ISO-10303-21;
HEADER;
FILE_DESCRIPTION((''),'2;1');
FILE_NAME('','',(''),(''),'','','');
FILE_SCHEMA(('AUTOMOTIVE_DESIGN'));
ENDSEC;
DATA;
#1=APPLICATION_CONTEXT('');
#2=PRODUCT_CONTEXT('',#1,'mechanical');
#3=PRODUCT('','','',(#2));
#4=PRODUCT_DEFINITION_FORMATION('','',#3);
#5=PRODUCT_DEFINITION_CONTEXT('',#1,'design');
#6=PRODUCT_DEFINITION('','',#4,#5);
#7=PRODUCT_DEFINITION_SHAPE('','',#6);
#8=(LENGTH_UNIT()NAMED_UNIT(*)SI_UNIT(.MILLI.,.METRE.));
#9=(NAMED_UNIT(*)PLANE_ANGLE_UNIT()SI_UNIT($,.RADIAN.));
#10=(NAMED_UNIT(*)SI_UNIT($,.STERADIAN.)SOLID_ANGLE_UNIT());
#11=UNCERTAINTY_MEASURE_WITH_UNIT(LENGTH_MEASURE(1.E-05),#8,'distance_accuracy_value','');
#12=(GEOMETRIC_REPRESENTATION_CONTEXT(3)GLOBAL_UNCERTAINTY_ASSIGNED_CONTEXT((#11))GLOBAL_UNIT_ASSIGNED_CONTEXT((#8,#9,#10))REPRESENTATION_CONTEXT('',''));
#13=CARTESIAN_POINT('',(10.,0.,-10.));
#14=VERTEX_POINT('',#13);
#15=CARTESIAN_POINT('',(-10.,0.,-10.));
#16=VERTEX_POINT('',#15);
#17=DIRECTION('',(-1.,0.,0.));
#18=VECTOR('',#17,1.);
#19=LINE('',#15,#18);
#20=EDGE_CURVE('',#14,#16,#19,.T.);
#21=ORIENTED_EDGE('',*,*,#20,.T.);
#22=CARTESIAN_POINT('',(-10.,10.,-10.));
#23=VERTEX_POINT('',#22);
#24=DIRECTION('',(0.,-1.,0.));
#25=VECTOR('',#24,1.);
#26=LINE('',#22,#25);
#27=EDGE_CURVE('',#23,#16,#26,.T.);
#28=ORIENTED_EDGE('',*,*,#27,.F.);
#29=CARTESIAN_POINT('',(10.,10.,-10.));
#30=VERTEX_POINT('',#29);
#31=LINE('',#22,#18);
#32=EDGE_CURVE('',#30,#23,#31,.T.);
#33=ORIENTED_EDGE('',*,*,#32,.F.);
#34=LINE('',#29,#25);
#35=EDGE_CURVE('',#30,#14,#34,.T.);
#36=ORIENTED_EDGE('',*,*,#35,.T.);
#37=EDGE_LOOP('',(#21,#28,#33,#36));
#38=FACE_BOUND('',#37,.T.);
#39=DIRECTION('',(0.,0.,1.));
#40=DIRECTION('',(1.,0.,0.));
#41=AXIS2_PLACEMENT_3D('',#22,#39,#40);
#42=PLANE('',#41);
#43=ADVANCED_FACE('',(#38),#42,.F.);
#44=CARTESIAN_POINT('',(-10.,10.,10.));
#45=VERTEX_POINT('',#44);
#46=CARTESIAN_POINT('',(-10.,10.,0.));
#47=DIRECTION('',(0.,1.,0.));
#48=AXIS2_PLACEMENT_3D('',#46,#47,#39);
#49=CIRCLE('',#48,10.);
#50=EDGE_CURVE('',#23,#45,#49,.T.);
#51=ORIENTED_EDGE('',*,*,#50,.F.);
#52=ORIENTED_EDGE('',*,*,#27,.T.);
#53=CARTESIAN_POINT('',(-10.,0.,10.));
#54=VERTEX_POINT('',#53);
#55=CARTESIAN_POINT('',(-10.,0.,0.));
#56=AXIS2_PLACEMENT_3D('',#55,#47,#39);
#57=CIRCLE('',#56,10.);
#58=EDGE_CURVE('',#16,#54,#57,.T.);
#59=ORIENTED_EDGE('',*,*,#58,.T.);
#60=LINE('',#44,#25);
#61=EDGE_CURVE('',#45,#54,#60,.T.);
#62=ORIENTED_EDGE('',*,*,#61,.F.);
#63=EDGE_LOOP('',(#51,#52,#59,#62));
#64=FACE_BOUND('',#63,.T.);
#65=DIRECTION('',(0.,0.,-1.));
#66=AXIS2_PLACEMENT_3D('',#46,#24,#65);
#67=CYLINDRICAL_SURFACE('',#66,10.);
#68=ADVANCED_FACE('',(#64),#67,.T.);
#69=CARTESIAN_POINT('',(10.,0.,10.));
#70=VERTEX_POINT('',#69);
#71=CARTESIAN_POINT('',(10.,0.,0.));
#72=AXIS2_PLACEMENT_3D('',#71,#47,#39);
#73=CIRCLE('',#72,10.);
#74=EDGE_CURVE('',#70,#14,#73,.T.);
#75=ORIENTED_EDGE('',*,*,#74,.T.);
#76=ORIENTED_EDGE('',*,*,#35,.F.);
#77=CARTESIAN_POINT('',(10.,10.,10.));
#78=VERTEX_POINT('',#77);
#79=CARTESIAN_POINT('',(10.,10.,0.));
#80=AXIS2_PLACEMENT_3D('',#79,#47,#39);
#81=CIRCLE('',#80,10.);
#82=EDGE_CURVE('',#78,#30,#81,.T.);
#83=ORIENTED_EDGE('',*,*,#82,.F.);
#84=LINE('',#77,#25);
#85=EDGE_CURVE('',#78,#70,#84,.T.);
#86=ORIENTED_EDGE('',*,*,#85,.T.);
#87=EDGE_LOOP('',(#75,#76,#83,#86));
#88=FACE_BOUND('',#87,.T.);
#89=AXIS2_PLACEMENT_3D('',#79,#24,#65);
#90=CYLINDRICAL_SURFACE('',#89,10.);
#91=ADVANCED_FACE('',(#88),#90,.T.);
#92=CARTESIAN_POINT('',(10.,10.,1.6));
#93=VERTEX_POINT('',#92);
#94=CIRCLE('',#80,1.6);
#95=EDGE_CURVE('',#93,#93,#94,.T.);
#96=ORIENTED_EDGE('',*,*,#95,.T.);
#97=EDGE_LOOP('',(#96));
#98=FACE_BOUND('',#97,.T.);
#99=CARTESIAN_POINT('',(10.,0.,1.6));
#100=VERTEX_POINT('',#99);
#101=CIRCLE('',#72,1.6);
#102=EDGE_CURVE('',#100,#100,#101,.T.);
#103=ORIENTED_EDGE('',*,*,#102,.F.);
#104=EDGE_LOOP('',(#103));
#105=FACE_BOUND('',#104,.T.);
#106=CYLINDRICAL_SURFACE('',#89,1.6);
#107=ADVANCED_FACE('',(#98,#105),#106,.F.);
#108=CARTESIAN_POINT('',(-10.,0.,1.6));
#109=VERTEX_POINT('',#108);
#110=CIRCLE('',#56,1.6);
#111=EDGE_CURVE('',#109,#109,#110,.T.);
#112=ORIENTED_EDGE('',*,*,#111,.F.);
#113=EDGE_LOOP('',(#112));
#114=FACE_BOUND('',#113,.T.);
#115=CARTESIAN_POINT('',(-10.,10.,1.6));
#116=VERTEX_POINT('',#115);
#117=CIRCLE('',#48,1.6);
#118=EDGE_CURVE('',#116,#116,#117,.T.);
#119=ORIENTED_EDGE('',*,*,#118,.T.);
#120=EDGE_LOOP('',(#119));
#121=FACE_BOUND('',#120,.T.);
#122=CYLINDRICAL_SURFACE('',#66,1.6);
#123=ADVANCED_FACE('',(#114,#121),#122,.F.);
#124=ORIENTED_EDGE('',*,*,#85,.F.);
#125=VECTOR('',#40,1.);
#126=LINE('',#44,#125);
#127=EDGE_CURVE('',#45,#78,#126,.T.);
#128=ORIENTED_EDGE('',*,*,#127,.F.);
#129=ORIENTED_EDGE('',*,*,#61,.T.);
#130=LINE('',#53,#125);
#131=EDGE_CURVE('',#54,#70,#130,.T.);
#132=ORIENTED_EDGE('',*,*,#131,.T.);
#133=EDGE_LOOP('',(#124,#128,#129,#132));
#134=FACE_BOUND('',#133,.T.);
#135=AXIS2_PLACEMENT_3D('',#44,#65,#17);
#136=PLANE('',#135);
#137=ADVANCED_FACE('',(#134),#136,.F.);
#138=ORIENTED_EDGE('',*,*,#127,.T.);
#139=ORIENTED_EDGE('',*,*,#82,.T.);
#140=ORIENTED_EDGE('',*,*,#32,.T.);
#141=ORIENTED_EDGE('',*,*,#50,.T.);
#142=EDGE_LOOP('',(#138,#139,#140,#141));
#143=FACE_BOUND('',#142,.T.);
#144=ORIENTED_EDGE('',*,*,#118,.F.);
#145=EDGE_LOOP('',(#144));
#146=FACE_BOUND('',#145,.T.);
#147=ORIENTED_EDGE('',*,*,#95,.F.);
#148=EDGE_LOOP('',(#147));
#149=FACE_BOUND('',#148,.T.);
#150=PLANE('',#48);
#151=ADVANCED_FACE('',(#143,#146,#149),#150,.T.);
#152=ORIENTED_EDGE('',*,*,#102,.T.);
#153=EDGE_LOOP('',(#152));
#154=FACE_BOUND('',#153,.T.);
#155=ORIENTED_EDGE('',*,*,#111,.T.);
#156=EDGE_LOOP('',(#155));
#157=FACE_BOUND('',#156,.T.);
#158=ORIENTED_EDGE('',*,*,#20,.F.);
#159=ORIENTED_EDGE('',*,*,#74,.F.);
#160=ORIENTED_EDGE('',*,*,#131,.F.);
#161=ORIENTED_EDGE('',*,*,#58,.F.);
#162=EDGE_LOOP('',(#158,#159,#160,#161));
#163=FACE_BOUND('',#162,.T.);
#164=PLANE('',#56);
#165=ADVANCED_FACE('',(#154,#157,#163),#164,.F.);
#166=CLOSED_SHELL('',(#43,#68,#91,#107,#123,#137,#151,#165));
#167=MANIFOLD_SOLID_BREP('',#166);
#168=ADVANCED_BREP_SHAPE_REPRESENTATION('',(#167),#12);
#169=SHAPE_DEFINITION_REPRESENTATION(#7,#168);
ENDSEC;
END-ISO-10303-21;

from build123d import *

# Parameters (mm, degrees)
SKETCH1_R           = 1.6
BOSS_EXTRUDE1_DEPTH = 10


with BuildPart() as part:
    # Sketch1 → Boss-Extrude1 (new body)
    with BuildSketch(Plane(origin=(0, 0, 0), x_dir=(1, 0, 0), z_dir=(0, 1, 0))):
        with BuildLine():
            Line((-10, 10), (10, 10))
            ThreePointArc((10, 10), (20, 0), (10, -10))
            Line((10, -10), (-10, -10))
            ThreePointArc((-10, -10), (-20, 0), (-10, 10))
        make_face()
        with Locations(Location((-10, 0, 0), (0, 0, 270))):
            Circle(SKETCH1_R, mode=Mode.SUBTRACT)
        with Locations(Location((10, 0, 0), (0, 0, 270))):
            Circle(SKETCH1_R, mode=Mode.SUBTRACT)
    extrude(amount=BOSS_EXTRUDE1_DEPTH)


solid = part.part
